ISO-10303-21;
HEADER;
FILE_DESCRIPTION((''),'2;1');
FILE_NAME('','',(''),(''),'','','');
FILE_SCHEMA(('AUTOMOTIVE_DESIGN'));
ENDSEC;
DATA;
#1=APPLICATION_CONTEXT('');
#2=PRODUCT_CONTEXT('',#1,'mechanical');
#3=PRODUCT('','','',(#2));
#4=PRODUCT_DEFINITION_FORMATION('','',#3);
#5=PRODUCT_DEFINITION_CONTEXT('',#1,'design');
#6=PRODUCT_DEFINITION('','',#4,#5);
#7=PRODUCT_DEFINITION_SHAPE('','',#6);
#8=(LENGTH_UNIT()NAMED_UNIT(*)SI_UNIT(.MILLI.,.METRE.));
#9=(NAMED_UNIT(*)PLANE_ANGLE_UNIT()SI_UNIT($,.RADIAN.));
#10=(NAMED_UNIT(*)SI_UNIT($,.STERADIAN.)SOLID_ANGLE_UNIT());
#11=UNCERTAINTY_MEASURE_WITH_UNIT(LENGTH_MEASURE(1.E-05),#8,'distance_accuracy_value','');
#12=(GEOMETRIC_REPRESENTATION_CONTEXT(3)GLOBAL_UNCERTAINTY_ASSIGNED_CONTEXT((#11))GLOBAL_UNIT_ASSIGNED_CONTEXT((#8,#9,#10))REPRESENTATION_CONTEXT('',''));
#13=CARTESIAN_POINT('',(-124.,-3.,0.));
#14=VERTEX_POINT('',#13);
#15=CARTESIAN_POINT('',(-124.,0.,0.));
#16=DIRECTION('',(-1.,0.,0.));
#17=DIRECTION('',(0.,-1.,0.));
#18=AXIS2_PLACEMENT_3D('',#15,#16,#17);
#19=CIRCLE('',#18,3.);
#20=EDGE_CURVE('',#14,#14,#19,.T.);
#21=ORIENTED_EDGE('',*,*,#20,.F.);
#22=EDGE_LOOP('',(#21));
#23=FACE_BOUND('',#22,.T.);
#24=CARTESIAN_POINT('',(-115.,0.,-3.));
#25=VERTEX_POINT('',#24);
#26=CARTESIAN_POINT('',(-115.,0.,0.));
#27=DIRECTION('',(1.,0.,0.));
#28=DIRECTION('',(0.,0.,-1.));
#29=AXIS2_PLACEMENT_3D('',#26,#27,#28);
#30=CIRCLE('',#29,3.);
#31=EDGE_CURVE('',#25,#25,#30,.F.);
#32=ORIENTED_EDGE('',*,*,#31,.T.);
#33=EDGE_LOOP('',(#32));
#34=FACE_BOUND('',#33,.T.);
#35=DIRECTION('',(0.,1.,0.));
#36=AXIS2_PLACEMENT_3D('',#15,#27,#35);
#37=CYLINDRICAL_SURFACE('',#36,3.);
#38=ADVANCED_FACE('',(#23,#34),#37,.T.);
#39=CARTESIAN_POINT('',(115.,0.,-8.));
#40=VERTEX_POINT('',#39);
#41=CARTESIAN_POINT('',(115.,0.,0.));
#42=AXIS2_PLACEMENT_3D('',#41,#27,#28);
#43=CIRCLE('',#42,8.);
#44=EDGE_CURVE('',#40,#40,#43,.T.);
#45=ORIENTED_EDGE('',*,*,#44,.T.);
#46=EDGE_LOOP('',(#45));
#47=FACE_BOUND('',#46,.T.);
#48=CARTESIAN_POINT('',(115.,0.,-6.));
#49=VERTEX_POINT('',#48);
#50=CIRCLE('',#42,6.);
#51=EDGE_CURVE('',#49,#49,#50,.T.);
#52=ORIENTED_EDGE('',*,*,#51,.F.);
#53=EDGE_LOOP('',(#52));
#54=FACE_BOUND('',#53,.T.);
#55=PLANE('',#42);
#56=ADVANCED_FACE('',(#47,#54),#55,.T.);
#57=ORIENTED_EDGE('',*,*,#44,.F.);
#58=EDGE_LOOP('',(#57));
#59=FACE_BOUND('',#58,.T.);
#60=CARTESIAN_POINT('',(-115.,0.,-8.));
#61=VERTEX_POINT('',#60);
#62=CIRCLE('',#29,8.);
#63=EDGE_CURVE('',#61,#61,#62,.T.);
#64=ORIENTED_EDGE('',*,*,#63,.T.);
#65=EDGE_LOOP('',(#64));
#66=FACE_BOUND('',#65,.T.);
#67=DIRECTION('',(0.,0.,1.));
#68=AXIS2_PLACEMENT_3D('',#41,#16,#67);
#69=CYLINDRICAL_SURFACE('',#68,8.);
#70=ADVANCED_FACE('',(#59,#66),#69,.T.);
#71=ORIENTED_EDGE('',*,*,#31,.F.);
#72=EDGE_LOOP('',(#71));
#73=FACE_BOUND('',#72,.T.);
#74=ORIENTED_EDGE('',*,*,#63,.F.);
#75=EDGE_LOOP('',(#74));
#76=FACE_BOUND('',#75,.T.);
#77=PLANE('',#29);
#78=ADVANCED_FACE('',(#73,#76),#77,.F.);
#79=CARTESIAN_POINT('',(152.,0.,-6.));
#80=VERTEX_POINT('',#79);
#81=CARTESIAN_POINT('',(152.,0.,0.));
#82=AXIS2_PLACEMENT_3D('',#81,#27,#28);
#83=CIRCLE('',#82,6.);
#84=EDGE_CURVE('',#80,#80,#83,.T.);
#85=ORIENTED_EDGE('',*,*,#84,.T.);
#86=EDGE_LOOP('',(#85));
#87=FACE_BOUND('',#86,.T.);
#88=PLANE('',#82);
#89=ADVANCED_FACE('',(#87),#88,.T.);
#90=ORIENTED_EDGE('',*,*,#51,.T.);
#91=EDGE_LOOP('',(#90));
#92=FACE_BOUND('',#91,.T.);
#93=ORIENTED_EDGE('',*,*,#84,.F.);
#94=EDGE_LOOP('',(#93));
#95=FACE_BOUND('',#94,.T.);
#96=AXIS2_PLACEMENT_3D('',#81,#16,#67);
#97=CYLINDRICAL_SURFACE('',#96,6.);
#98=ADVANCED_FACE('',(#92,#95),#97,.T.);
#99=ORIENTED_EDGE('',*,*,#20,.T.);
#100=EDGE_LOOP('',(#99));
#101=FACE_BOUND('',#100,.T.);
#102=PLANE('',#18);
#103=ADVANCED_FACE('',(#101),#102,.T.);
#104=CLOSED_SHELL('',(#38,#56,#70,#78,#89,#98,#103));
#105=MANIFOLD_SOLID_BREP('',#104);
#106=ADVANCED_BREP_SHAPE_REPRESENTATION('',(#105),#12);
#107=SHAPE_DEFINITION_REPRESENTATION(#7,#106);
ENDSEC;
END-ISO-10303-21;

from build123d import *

# Parameters (mm, degrees)
SKETCH_1_R      = 8
EXTRUDE_1_DEPTH = 115
SKETCH_2_R      = 6
EXTRUDE_2_DEPTH = 37
SKETCH_5_R      = 3
EXTRUDE_4_DEPTH = 9


with BuildPart() as part:
    # 草图1 → 凸台-拉伸1 (new, symmetric)
    with BuildSketch(Plane(origin=(0, 0, 0), x_dir=(0, 0, -1), z_dir=(1, 0, 0))):
        Circle(SKETCH_1_R)
    extrude(amount=EXTRUDE_1_DEPTH, both=True)

    # 草图2 → 凸台-拉伸2 (add)
    with BuildSketch(Plane(origin=(115, 0, 0), x_dir=(0, 0, -1), z_dir=(1, 0, 0))):
        Circle(SKETCH_2_R)
    extrude(amount=EXTRUDE_2_DEPTH)

    # 草图5 → 凸台-拉伸4 (add, symmetric)
    with BuildSketch(Plane.ZY.offset(115)):
        with Locations(Location((0, 0, 0), (0, 0, 180))):
            Circle(SKETCH_5_R)
    extrude(amount=EXTRUDE_4_DEPTH, both=True)


solid = part.part
